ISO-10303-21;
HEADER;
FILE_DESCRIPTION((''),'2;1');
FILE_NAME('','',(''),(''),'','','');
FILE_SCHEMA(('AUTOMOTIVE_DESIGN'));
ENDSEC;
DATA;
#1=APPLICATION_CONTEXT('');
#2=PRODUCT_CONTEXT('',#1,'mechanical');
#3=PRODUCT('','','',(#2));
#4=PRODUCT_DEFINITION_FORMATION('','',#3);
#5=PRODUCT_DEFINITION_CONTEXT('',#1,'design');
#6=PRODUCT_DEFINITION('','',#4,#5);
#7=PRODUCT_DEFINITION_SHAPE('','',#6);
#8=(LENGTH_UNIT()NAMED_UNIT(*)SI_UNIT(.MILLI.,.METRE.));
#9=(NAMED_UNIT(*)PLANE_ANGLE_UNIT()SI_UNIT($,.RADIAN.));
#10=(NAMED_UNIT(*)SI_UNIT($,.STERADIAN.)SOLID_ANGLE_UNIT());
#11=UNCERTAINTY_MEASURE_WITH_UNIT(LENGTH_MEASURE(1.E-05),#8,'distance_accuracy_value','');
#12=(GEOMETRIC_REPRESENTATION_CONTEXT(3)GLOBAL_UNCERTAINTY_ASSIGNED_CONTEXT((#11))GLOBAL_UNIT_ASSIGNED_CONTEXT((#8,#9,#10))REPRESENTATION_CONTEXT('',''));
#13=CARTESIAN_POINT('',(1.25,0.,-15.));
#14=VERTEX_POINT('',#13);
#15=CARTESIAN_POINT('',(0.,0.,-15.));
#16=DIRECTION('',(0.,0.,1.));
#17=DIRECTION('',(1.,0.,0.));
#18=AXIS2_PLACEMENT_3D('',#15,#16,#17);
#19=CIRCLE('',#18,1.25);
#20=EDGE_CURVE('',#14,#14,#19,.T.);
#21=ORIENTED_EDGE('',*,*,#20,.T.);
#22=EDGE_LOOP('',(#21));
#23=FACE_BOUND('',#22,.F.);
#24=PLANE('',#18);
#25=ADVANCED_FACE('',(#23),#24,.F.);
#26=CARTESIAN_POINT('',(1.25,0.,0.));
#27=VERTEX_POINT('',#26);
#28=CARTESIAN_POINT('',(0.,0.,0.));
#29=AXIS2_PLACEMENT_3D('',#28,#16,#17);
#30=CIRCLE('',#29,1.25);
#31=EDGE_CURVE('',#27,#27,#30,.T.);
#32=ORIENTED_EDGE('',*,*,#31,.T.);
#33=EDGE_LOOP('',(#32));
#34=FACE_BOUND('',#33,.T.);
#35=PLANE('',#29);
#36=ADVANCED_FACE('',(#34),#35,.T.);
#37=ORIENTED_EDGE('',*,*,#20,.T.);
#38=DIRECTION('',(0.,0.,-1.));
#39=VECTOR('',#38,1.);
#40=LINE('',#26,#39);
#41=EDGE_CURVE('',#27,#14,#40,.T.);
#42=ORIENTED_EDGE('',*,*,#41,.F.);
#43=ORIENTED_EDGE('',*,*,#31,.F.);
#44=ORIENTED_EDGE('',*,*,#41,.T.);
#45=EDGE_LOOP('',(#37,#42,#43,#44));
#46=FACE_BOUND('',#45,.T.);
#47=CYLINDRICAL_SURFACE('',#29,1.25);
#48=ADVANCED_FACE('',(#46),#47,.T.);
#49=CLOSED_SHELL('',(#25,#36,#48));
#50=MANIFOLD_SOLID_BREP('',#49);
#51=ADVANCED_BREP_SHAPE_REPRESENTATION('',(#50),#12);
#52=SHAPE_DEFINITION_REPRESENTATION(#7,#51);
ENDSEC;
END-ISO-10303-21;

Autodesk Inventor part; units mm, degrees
ref_plane "YZ Plane" through (0, 0, 0) normal (1, 0, 0) x (0, 1, 0)
ref_plane "XZ Plane" through (0, 0, 0) normal (0, 1, 0) x (-1, 0, 0)
ref_plane "XY Plane" through (0, 0, 0) normal (0, 0, 1) x (1, 0, 0)
sketch "Sketch1" plane through (0, 0, 0) normal (0, 0, 1) x (1, 0, 0)
  circle A0 centre (0, 0) radius 1.25
  dimension "d0" = 2.5
extrude "Extrusion1" add sketch "Sketch1" against normal blind 15
properties part number "Replaceable Drive Pin"
